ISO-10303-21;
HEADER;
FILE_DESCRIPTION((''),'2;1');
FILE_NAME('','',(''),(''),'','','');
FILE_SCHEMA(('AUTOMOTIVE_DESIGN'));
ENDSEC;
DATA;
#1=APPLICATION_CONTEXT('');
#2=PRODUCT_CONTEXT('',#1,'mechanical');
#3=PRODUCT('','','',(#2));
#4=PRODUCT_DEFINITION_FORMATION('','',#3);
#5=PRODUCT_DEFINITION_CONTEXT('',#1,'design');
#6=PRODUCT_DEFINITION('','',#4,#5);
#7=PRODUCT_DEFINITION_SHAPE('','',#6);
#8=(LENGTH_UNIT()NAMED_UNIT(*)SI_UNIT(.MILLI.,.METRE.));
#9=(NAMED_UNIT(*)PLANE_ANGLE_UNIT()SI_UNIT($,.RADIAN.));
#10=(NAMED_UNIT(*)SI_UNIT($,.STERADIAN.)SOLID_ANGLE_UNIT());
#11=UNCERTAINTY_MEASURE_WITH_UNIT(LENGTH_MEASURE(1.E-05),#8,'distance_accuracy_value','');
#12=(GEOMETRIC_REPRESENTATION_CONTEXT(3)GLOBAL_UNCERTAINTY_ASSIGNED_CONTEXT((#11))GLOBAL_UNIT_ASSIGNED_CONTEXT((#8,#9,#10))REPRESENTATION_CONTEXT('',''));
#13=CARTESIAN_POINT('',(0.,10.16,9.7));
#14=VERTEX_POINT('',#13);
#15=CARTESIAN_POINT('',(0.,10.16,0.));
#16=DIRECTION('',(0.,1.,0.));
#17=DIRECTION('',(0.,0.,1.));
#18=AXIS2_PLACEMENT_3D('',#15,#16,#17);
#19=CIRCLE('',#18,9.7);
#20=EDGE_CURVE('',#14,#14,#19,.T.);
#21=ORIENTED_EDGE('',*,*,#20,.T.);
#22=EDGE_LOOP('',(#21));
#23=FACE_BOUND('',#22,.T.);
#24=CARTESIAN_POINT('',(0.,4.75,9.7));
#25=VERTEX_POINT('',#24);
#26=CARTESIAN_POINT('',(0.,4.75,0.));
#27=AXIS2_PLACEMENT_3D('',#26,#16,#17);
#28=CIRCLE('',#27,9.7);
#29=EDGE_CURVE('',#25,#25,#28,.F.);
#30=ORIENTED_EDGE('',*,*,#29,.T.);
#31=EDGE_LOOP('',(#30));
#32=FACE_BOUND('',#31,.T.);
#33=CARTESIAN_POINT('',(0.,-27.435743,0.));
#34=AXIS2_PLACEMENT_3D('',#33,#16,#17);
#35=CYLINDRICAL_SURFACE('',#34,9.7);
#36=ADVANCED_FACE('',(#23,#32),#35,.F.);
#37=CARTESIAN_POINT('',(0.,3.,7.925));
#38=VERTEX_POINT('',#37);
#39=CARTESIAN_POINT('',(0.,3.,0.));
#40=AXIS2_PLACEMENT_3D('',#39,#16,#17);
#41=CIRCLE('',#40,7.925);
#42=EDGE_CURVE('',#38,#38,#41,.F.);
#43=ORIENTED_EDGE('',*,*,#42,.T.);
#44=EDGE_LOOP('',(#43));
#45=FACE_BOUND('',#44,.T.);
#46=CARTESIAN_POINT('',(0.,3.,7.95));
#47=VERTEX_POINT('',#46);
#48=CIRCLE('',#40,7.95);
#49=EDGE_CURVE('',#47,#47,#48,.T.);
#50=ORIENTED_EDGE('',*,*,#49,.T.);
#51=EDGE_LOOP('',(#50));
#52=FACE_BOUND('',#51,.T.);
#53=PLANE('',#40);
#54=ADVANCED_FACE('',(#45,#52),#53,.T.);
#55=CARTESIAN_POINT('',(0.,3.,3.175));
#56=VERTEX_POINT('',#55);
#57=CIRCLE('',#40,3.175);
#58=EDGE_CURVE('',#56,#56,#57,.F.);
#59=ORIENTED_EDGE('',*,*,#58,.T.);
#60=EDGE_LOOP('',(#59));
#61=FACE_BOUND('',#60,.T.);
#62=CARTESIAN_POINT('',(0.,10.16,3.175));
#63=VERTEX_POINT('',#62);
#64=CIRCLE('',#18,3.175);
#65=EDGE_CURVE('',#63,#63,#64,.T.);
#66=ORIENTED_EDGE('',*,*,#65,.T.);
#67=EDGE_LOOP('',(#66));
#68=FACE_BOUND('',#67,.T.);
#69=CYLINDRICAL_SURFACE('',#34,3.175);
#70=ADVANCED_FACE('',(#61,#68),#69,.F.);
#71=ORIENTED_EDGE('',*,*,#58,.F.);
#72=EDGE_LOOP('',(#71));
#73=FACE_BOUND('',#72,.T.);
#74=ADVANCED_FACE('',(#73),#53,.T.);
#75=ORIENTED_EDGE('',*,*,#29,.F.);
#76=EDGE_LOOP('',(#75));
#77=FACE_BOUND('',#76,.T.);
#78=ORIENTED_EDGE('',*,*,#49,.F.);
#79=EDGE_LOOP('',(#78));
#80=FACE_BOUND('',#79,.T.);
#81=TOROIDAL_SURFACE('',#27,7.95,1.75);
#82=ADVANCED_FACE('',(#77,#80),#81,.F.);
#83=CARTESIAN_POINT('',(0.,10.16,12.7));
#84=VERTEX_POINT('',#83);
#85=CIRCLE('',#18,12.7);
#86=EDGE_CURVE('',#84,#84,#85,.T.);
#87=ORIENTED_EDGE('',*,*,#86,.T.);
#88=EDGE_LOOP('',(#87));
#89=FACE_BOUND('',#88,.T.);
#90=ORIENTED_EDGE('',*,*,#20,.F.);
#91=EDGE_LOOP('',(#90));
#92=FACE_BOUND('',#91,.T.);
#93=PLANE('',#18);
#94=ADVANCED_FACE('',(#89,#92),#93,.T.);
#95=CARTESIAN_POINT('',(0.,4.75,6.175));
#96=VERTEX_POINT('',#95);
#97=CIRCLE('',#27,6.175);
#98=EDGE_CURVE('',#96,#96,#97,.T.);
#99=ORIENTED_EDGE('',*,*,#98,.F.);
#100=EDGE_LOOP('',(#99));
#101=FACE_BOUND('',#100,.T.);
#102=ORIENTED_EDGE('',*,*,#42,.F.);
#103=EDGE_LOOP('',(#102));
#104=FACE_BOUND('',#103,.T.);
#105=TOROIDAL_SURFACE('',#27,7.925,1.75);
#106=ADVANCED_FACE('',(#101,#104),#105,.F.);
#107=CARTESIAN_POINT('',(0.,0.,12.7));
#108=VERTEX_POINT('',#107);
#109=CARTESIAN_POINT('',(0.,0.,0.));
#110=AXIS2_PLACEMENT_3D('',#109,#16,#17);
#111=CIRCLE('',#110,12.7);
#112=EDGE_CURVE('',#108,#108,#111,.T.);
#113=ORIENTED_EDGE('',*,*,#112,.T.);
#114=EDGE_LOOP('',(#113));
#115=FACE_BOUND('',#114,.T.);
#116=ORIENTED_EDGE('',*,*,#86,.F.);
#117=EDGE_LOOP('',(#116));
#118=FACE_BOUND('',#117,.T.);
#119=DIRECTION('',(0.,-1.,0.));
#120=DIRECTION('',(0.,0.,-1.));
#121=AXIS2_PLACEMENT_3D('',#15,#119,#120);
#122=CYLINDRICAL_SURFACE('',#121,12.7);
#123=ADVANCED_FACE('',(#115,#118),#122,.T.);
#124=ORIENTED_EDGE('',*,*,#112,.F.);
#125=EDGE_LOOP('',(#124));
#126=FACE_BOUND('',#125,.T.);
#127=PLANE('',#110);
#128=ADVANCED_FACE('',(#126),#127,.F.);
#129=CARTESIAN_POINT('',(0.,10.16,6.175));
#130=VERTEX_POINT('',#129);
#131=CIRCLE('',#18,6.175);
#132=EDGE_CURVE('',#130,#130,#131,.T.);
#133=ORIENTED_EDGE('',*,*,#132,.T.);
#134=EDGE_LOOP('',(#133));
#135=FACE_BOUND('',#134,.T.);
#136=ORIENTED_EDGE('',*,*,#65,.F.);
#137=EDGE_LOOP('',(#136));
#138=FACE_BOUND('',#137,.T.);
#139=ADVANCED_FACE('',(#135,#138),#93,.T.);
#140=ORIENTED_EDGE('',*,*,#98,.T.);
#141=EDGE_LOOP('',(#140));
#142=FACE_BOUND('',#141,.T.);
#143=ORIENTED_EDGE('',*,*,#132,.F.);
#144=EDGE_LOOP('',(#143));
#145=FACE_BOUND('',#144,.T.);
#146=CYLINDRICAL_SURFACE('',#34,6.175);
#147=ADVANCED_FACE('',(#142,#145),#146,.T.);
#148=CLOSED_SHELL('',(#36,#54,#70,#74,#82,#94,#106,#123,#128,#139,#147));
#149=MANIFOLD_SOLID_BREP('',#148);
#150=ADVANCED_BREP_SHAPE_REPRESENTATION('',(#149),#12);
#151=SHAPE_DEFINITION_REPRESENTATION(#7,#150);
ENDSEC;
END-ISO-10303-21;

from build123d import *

# Parameters (mm, degrees)
SKETCH1_R           = 12.7
BOSS_EXTRUDE1_DEPTH = 10.16
SKETCH2_R           = 9.7
SKETCH2_R_2         = 6.175
SKETCH2_R_3         = 3.175
CUT_EXTRUDE1_DEPTH  = 7.16
FILLET1_R           = 1.75


with BuildPart() as part:
    # Sketch1 → Boss-Extrude1 (new body)
    with BuildSketch(Plane(origin=(0, 0, 0), x_dir=(1, 0, 0), z_dir=(0, 1, 0))):
        with Locations(Location((0, 0, 0), (0, 0, 270))):
            Circle(SKETCH1_R)
    extrude(amount=BOSS_EXTRUDE1_DEPTH)

    # Sketch2 → Cut-Extrude1 (cut)
    # profile 1 of 2: a face of its own
    with BuildSketch(Plane(origin=(0, 10.16, 0), x_dir=(1, 0, 0), z_dir=(0, 1, 0))):
        with Locations(Location((0, 0, 0), (0, 0, 270))):
            Circle(SKETCH2_R)
        with Locations(Location((0, 0, 0), (0, 0, 270))):
            Circle(SKETCH2_R_2, mode=Mode.SUBTRACT)
    # profile 2 of 2: a face of its own
    with BuildSketch(Plane(origin=(0, 10.16, 0), x_dir=(1, 0, 0), z_dir=(0, 1, 0))):
        with Locations(Location((0, 0, 0), (0, 0, 270))):
            Circle(SKETCH2_R_3)
    extrude(amount=-CUT_EXTRUDE1_DEPTH, mode=Mode.SUBTRACT)

    # Fillet1
    fillet1_edges = [part.edges().sort_by_distance(p)[0] for p in [
        (0, 3, -6.175),
        (0, 3, -9.7),
    ]]
    fillet(fillet1_edges, radius=FILLET1_R)


solid = part.part
